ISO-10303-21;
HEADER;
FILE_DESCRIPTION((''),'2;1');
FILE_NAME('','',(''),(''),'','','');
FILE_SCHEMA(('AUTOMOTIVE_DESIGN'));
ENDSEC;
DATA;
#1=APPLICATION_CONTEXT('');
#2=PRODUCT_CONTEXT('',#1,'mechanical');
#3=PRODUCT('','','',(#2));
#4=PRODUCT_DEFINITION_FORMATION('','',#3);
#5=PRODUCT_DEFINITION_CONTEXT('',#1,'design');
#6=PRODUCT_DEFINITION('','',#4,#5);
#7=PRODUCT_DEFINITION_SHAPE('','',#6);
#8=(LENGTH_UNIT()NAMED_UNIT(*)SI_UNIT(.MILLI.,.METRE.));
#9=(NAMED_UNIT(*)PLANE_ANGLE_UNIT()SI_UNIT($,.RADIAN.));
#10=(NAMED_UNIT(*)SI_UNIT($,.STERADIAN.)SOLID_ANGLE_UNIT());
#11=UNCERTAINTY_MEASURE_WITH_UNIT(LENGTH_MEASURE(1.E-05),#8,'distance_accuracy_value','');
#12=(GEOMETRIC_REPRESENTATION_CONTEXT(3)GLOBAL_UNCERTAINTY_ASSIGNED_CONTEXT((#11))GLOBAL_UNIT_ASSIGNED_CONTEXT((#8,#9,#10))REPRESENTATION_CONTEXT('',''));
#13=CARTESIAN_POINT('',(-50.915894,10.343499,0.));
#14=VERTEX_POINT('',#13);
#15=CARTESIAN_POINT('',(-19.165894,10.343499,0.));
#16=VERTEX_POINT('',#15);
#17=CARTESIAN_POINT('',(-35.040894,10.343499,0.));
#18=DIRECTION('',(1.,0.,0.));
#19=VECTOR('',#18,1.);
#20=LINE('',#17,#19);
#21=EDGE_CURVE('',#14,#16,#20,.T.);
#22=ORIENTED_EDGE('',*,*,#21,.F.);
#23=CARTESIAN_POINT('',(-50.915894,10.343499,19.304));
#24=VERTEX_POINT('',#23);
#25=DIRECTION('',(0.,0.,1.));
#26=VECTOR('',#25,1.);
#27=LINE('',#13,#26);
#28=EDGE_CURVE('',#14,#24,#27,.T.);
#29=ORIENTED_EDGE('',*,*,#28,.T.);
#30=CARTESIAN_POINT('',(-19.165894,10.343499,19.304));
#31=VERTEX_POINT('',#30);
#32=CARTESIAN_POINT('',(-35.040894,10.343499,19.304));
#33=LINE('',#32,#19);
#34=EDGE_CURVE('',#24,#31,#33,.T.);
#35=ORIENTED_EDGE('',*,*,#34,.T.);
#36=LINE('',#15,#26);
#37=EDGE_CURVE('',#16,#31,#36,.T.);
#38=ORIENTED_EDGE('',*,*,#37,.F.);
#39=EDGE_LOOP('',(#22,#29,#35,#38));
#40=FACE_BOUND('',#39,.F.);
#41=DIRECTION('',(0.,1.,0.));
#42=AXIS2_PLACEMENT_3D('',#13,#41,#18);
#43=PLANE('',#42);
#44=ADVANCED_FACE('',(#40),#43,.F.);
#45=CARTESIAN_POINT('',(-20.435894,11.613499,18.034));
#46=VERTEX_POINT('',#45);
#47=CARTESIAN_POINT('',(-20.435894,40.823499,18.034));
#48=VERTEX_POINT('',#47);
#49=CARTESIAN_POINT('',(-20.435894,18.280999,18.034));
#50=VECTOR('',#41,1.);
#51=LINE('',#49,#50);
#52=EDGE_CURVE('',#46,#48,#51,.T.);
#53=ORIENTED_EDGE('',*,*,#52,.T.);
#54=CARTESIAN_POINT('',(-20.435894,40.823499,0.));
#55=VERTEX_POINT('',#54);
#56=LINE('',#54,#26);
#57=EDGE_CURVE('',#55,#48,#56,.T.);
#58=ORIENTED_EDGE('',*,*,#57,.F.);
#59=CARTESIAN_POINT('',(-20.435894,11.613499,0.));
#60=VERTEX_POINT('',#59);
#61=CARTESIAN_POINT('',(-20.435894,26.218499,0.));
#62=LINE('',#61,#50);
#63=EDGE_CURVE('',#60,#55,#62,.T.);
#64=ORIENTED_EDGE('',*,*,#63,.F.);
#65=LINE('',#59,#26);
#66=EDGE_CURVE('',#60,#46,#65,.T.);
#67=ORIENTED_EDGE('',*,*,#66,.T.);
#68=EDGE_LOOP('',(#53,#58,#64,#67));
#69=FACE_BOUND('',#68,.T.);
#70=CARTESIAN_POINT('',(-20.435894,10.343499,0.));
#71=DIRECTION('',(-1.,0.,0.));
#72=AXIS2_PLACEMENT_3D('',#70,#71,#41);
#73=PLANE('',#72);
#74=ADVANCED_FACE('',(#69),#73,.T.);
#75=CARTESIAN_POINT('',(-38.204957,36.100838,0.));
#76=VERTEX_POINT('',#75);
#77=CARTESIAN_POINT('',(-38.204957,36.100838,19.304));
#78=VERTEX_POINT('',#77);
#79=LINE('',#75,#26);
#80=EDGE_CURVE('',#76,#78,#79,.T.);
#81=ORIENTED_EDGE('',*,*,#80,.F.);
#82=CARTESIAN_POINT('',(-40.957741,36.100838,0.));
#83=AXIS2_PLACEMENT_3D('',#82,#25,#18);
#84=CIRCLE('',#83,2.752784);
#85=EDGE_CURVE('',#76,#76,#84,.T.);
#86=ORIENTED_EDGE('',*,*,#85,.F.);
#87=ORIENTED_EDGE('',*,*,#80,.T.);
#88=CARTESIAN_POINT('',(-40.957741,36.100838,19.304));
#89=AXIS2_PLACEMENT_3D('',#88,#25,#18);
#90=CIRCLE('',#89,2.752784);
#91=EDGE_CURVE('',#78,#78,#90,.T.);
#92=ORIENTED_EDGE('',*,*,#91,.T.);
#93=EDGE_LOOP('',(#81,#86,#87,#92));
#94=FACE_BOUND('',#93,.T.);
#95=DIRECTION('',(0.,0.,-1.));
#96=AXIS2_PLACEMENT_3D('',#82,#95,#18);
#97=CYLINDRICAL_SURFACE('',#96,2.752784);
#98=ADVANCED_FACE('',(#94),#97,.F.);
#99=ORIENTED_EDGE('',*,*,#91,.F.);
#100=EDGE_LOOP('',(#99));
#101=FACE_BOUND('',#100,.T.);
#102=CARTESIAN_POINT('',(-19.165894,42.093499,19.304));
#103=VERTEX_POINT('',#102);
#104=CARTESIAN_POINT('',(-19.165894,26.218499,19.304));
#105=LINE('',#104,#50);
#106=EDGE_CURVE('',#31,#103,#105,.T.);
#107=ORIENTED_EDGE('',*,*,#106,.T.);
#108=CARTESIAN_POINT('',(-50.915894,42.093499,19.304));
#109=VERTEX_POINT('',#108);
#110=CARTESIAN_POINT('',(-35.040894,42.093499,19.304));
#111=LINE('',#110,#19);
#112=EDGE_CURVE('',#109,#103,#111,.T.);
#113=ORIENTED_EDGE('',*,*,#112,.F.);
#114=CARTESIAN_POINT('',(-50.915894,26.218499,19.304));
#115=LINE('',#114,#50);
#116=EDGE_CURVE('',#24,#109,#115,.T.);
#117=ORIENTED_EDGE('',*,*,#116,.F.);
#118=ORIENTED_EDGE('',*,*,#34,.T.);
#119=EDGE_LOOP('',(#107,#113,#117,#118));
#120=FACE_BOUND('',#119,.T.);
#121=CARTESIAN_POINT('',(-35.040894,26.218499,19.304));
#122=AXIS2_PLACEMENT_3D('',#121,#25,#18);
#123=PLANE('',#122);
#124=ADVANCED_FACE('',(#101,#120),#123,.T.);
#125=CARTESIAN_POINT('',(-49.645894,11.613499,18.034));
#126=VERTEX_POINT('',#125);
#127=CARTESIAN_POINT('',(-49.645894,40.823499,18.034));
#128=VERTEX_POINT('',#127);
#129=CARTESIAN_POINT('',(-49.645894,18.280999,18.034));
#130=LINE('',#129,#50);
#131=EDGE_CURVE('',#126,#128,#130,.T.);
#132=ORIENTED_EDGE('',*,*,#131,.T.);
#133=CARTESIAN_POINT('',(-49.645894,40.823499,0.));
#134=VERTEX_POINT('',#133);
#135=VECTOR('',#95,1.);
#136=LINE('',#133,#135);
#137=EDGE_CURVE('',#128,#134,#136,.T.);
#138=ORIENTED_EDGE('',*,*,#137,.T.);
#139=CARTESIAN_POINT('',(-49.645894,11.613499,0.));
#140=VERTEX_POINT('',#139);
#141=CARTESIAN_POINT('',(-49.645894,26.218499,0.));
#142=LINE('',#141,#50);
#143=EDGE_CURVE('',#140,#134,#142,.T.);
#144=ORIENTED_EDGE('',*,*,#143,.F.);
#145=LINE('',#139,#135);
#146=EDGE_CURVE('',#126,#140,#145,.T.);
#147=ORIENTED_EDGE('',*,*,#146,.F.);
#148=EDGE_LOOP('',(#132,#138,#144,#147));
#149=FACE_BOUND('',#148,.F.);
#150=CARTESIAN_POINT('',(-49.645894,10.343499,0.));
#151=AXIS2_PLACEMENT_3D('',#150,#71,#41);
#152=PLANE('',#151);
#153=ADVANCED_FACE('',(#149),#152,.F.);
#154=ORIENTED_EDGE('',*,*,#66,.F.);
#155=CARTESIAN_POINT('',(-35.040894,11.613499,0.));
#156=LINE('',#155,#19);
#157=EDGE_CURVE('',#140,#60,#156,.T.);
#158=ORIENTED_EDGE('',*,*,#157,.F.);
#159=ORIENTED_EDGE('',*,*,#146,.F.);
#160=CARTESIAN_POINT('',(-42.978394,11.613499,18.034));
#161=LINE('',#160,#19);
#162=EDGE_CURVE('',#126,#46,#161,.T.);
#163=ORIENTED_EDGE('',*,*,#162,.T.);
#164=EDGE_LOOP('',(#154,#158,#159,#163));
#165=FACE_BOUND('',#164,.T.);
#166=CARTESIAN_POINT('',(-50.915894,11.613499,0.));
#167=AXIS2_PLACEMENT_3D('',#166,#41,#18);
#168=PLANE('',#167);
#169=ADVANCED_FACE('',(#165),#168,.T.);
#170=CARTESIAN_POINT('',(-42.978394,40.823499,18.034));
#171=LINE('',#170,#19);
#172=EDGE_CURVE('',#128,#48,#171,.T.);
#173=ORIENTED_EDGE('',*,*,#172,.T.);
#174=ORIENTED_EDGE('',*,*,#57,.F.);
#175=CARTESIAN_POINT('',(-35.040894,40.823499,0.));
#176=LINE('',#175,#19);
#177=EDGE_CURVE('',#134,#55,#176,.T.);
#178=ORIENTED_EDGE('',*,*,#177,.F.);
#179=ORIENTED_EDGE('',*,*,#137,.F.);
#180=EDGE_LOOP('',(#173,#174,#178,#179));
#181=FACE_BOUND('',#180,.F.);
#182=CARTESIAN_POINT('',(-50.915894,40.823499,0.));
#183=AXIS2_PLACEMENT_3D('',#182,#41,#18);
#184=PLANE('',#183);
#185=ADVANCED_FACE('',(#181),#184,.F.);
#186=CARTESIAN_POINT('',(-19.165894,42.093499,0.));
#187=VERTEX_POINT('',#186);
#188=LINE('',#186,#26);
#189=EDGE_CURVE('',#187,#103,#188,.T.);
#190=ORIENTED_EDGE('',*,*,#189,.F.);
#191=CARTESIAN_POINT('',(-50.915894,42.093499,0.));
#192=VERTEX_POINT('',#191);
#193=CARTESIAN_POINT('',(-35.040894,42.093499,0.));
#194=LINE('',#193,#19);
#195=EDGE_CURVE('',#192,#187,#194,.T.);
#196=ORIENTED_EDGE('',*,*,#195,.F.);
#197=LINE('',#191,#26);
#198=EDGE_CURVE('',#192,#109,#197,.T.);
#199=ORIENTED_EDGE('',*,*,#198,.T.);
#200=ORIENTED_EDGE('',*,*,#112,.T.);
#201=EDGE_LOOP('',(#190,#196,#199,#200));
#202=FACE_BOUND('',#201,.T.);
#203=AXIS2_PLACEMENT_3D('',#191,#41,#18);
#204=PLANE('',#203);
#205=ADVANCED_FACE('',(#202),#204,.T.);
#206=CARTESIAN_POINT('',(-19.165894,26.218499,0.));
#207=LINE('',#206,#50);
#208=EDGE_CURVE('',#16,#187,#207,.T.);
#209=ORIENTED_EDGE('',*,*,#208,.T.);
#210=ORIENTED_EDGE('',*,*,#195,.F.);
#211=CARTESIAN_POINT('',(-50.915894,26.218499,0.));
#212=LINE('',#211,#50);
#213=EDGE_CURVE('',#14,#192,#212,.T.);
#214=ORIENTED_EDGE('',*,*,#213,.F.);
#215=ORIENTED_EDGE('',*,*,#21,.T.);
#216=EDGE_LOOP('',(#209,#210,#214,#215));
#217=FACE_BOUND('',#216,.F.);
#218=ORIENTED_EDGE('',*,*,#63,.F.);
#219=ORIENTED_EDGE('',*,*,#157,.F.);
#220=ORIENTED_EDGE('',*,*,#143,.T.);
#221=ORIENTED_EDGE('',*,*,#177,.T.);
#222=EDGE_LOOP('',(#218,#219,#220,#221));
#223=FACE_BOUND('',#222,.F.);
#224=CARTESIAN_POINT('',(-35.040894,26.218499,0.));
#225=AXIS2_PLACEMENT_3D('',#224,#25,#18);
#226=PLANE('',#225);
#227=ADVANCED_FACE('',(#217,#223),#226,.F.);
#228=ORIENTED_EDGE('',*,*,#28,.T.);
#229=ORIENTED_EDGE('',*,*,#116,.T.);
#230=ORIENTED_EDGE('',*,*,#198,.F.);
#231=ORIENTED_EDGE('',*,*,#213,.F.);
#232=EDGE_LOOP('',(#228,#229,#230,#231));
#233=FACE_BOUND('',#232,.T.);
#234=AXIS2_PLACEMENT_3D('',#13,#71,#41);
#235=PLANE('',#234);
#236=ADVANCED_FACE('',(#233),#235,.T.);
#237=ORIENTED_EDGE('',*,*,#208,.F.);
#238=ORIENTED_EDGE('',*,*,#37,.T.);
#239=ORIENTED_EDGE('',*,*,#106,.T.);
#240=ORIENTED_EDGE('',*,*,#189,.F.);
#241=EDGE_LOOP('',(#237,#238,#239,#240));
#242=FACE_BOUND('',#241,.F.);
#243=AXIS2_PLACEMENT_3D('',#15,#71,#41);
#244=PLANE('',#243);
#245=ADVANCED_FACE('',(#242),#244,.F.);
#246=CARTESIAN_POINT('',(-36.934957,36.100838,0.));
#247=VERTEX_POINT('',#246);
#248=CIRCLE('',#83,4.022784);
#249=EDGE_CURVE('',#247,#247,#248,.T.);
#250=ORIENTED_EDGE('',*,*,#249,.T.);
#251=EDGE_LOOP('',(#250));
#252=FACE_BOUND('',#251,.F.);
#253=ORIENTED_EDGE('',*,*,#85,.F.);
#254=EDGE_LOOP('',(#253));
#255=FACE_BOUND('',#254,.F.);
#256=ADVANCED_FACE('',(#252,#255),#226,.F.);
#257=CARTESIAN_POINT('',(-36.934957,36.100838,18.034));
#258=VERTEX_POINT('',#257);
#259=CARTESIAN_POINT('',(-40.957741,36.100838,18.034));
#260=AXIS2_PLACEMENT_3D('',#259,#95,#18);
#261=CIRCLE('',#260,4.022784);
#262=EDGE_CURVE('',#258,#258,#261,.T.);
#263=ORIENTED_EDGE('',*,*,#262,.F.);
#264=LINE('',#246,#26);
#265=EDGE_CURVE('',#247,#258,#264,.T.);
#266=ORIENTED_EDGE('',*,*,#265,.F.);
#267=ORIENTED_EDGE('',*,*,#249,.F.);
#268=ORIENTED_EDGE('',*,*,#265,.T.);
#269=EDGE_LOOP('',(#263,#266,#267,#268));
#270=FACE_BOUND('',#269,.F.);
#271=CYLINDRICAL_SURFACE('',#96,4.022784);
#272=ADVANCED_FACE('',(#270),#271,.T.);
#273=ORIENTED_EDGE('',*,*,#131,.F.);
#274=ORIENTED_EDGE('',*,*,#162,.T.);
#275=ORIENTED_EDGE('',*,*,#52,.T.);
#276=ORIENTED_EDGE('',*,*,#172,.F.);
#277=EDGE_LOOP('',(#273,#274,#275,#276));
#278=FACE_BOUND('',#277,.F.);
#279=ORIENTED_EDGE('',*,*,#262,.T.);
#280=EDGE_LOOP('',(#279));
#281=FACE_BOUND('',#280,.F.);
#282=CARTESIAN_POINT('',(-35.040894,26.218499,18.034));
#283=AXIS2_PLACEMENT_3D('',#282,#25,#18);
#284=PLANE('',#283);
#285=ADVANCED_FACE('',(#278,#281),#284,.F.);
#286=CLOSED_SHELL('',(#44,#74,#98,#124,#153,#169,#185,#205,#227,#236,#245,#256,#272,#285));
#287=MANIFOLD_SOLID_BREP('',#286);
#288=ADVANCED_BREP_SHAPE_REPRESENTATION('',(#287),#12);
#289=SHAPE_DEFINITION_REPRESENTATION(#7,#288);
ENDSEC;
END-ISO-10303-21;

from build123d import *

# Parameters (mm, degrees)
F0_W     = 31.75
F0_H     = 31.75
F0_R     = 2.752784
F1_DEPTH = 19.304
F2_T     = -1.27


with BuildPart() as f1:
    # F0 (on Top) → F1 (new body)
    with BuildSketch(Plane.XY):
        with Locations((-35.040894, 26.218499)):
            Rectangle(F0_W, F0_H)
        with Locations((-40.957741, 36.100838)):
            Circle(F0_R, mode=Mode.SUBTRACT)
    extrude(amount=F1_DEPTH)

    # F2
    f2_openings = [f1.faces().sort_by_distance(p)[0] for p in [
        (-34.897782, 25.979472, 0),
    ]]
    offset(amount=F2_T, openings=f2_openings)


solid = f1.part
